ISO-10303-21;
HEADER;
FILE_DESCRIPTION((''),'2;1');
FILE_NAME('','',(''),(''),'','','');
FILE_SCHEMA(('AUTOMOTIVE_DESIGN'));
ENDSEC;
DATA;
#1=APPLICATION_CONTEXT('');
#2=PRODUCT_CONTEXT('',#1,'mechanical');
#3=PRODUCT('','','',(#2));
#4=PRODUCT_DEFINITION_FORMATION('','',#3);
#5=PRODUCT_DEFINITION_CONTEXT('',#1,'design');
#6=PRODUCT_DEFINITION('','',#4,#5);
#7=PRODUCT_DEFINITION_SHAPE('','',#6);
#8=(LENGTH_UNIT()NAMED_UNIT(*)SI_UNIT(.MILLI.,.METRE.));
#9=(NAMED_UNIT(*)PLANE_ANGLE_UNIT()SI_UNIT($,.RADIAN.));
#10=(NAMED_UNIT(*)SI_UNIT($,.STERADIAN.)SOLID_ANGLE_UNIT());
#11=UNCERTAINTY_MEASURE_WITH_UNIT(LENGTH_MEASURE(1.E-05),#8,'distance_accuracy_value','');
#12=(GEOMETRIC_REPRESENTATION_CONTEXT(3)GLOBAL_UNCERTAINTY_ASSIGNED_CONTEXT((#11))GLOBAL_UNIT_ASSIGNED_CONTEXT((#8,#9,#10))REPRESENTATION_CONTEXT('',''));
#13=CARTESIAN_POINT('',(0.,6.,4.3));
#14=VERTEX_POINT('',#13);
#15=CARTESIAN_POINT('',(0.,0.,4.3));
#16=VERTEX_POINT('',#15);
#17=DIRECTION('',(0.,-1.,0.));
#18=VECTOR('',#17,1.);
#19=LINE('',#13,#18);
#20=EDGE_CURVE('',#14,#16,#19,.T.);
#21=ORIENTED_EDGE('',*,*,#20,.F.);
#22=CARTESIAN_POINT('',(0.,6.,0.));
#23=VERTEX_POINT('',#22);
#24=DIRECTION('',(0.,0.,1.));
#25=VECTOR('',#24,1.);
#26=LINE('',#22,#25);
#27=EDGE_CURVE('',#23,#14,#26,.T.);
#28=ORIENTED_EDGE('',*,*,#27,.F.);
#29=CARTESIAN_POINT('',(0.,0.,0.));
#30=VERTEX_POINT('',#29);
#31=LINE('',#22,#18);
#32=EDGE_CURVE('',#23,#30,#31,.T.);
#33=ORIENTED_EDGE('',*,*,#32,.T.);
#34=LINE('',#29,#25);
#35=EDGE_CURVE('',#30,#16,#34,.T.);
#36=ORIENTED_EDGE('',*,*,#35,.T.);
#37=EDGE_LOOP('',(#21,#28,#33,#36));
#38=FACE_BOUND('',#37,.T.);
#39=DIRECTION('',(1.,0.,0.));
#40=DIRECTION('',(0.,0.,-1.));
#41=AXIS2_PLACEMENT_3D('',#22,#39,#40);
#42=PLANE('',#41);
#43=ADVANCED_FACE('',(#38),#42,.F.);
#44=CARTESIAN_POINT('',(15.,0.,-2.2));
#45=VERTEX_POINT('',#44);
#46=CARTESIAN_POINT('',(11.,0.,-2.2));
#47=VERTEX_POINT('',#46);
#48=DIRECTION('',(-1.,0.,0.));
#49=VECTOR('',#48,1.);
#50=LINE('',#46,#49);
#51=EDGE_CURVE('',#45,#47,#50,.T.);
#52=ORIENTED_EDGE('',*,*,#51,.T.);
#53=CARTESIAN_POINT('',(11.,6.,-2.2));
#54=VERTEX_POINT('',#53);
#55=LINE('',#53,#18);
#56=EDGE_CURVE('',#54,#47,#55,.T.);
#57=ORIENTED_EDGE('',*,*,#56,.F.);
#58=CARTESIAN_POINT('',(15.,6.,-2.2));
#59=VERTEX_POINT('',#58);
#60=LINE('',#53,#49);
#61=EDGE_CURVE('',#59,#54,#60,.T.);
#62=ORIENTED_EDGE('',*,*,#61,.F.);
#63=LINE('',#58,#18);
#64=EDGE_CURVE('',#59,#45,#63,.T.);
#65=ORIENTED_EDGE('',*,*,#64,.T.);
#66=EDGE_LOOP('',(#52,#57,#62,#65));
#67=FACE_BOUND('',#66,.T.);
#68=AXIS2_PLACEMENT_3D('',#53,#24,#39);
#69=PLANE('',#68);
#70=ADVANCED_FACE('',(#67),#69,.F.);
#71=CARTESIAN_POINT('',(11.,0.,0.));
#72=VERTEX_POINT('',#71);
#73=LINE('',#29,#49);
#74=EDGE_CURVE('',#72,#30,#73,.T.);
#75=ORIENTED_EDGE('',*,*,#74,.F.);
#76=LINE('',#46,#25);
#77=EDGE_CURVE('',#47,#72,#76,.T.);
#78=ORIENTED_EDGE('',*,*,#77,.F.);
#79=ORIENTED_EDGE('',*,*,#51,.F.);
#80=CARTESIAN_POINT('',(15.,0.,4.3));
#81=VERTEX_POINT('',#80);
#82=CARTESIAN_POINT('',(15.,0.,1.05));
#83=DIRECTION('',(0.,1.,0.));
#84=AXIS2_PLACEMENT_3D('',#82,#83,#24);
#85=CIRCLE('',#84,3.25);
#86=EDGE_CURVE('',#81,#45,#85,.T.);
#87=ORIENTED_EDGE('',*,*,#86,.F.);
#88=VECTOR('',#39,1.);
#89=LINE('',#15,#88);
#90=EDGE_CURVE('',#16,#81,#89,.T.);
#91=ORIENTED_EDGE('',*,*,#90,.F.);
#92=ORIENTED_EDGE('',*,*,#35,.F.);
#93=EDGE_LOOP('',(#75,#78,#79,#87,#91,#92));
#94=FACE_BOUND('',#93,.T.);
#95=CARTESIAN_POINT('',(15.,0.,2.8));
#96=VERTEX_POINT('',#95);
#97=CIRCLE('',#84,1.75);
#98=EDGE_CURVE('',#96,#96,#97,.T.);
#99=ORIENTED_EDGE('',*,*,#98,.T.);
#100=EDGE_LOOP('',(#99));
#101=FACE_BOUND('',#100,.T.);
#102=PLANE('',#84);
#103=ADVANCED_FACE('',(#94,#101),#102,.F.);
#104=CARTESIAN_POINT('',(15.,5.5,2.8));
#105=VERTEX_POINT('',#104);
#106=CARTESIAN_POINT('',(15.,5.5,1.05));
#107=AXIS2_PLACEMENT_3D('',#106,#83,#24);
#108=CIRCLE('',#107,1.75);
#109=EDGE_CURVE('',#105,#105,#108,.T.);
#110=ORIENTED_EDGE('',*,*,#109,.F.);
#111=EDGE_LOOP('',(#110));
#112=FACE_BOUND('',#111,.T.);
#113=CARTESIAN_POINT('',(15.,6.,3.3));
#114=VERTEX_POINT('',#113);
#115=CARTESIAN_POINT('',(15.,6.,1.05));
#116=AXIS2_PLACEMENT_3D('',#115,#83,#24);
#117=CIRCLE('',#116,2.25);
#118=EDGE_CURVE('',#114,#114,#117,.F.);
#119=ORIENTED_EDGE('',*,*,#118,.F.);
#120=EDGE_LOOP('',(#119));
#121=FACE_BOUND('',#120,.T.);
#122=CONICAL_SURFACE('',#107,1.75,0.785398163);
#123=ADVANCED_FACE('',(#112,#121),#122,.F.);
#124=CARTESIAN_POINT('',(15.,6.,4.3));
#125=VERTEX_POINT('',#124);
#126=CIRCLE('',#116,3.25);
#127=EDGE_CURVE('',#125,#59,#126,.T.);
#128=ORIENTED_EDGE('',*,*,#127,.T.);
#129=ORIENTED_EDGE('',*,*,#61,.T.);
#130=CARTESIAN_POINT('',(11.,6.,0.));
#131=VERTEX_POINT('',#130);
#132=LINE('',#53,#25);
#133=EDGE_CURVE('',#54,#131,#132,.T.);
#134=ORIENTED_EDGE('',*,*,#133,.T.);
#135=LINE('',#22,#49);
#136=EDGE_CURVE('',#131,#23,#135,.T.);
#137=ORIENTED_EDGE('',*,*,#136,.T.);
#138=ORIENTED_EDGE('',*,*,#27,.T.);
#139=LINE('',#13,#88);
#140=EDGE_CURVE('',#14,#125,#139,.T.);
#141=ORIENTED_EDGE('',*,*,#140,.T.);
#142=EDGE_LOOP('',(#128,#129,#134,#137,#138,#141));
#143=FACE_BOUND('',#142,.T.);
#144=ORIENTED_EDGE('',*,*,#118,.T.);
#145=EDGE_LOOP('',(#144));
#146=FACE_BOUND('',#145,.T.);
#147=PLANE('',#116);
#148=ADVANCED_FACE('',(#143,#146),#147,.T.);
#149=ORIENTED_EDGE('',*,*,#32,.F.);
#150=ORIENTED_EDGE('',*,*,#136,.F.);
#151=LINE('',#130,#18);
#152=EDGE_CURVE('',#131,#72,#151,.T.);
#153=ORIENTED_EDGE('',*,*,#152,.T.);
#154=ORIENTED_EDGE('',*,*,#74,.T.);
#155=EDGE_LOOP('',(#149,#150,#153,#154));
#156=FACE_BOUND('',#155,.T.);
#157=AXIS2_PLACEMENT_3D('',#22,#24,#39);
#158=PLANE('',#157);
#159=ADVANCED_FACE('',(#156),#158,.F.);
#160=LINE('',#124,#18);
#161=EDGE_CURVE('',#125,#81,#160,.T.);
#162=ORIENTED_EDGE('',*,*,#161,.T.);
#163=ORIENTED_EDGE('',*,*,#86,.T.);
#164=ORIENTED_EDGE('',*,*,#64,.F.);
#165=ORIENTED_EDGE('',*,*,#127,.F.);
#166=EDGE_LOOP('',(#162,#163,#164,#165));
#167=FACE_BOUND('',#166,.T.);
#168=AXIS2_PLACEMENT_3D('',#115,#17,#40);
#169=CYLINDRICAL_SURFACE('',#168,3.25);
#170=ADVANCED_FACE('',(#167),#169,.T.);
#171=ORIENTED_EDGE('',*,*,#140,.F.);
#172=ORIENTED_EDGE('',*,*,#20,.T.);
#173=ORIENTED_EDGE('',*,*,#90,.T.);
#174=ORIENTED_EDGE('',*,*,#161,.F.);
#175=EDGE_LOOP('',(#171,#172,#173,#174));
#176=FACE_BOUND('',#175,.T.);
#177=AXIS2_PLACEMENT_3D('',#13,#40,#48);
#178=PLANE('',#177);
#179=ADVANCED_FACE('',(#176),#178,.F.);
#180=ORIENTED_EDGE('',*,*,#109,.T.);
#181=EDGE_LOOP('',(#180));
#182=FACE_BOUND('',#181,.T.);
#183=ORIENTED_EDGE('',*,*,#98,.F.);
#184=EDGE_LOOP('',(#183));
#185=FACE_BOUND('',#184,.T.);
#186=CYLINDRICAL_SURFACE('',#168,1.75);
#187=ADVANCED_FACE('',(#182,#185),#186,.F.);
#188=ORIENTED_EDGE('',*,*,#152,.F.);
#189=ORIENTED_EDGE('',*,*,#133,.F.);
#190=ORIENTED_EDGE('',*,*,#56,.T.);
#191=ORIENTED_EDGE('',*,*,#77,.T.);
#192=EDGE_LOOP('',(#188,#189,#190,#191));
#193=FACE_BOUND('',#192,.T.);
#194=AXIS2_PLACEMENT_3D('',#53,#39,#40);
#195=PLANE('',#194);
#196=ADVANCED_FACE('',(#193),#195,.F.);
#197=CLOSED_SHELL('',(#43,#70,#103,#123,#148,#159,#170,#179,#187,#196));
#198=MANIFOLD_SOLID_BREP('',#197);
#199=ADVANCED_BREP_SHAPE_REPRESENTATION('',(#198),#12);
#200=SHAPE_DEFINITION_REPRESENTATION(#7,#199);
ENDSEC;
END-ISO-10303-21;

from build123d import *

# Parameters (mm, degrees)
SKETCH2_R           = 1.75
BOSS_EXTRUDE1_DEPTH = 6
CHAMFER1_SIZE       = 0.5


with BuildPart() as part:
    # Sketch2 → Boss-Extrude1 (new body)
    with BuildSketch(Plane(origin=(0, 0, 0), x_dir=(1, 0, 0), z_dir=(0, 1, 0))):
        with BuildLine():
            Line((11, 2.2), (15, 2.2))
            ThreePointArc((15, 2.2), (18.25, -1.05), (15, -4.3))
            Line((15, -4.3), (0, -4.3))
            Line((0, -4.3), (0, 0))
            Line((0, 0), (11, 0))
            Line((11, 0), (11, 2.2))
        make_face()
        with Locations(Location((15, -1.05, 0), (0, 0, 270))):
            Circle(SKETCH2_R, mode=Mode.SUBTRACT)
    extrude(amount=BOSS_EXTRUDE1_DEPTH)

    # Chamfer1
    chamfer1_edges = [part.edges().sort_by_distance(p)[0] for p in [
        (15, 6, -0.7),
    ]]
    chamfer(chamfer1_edges, length=CHAMFER1_SIZE)


solid = part.part
